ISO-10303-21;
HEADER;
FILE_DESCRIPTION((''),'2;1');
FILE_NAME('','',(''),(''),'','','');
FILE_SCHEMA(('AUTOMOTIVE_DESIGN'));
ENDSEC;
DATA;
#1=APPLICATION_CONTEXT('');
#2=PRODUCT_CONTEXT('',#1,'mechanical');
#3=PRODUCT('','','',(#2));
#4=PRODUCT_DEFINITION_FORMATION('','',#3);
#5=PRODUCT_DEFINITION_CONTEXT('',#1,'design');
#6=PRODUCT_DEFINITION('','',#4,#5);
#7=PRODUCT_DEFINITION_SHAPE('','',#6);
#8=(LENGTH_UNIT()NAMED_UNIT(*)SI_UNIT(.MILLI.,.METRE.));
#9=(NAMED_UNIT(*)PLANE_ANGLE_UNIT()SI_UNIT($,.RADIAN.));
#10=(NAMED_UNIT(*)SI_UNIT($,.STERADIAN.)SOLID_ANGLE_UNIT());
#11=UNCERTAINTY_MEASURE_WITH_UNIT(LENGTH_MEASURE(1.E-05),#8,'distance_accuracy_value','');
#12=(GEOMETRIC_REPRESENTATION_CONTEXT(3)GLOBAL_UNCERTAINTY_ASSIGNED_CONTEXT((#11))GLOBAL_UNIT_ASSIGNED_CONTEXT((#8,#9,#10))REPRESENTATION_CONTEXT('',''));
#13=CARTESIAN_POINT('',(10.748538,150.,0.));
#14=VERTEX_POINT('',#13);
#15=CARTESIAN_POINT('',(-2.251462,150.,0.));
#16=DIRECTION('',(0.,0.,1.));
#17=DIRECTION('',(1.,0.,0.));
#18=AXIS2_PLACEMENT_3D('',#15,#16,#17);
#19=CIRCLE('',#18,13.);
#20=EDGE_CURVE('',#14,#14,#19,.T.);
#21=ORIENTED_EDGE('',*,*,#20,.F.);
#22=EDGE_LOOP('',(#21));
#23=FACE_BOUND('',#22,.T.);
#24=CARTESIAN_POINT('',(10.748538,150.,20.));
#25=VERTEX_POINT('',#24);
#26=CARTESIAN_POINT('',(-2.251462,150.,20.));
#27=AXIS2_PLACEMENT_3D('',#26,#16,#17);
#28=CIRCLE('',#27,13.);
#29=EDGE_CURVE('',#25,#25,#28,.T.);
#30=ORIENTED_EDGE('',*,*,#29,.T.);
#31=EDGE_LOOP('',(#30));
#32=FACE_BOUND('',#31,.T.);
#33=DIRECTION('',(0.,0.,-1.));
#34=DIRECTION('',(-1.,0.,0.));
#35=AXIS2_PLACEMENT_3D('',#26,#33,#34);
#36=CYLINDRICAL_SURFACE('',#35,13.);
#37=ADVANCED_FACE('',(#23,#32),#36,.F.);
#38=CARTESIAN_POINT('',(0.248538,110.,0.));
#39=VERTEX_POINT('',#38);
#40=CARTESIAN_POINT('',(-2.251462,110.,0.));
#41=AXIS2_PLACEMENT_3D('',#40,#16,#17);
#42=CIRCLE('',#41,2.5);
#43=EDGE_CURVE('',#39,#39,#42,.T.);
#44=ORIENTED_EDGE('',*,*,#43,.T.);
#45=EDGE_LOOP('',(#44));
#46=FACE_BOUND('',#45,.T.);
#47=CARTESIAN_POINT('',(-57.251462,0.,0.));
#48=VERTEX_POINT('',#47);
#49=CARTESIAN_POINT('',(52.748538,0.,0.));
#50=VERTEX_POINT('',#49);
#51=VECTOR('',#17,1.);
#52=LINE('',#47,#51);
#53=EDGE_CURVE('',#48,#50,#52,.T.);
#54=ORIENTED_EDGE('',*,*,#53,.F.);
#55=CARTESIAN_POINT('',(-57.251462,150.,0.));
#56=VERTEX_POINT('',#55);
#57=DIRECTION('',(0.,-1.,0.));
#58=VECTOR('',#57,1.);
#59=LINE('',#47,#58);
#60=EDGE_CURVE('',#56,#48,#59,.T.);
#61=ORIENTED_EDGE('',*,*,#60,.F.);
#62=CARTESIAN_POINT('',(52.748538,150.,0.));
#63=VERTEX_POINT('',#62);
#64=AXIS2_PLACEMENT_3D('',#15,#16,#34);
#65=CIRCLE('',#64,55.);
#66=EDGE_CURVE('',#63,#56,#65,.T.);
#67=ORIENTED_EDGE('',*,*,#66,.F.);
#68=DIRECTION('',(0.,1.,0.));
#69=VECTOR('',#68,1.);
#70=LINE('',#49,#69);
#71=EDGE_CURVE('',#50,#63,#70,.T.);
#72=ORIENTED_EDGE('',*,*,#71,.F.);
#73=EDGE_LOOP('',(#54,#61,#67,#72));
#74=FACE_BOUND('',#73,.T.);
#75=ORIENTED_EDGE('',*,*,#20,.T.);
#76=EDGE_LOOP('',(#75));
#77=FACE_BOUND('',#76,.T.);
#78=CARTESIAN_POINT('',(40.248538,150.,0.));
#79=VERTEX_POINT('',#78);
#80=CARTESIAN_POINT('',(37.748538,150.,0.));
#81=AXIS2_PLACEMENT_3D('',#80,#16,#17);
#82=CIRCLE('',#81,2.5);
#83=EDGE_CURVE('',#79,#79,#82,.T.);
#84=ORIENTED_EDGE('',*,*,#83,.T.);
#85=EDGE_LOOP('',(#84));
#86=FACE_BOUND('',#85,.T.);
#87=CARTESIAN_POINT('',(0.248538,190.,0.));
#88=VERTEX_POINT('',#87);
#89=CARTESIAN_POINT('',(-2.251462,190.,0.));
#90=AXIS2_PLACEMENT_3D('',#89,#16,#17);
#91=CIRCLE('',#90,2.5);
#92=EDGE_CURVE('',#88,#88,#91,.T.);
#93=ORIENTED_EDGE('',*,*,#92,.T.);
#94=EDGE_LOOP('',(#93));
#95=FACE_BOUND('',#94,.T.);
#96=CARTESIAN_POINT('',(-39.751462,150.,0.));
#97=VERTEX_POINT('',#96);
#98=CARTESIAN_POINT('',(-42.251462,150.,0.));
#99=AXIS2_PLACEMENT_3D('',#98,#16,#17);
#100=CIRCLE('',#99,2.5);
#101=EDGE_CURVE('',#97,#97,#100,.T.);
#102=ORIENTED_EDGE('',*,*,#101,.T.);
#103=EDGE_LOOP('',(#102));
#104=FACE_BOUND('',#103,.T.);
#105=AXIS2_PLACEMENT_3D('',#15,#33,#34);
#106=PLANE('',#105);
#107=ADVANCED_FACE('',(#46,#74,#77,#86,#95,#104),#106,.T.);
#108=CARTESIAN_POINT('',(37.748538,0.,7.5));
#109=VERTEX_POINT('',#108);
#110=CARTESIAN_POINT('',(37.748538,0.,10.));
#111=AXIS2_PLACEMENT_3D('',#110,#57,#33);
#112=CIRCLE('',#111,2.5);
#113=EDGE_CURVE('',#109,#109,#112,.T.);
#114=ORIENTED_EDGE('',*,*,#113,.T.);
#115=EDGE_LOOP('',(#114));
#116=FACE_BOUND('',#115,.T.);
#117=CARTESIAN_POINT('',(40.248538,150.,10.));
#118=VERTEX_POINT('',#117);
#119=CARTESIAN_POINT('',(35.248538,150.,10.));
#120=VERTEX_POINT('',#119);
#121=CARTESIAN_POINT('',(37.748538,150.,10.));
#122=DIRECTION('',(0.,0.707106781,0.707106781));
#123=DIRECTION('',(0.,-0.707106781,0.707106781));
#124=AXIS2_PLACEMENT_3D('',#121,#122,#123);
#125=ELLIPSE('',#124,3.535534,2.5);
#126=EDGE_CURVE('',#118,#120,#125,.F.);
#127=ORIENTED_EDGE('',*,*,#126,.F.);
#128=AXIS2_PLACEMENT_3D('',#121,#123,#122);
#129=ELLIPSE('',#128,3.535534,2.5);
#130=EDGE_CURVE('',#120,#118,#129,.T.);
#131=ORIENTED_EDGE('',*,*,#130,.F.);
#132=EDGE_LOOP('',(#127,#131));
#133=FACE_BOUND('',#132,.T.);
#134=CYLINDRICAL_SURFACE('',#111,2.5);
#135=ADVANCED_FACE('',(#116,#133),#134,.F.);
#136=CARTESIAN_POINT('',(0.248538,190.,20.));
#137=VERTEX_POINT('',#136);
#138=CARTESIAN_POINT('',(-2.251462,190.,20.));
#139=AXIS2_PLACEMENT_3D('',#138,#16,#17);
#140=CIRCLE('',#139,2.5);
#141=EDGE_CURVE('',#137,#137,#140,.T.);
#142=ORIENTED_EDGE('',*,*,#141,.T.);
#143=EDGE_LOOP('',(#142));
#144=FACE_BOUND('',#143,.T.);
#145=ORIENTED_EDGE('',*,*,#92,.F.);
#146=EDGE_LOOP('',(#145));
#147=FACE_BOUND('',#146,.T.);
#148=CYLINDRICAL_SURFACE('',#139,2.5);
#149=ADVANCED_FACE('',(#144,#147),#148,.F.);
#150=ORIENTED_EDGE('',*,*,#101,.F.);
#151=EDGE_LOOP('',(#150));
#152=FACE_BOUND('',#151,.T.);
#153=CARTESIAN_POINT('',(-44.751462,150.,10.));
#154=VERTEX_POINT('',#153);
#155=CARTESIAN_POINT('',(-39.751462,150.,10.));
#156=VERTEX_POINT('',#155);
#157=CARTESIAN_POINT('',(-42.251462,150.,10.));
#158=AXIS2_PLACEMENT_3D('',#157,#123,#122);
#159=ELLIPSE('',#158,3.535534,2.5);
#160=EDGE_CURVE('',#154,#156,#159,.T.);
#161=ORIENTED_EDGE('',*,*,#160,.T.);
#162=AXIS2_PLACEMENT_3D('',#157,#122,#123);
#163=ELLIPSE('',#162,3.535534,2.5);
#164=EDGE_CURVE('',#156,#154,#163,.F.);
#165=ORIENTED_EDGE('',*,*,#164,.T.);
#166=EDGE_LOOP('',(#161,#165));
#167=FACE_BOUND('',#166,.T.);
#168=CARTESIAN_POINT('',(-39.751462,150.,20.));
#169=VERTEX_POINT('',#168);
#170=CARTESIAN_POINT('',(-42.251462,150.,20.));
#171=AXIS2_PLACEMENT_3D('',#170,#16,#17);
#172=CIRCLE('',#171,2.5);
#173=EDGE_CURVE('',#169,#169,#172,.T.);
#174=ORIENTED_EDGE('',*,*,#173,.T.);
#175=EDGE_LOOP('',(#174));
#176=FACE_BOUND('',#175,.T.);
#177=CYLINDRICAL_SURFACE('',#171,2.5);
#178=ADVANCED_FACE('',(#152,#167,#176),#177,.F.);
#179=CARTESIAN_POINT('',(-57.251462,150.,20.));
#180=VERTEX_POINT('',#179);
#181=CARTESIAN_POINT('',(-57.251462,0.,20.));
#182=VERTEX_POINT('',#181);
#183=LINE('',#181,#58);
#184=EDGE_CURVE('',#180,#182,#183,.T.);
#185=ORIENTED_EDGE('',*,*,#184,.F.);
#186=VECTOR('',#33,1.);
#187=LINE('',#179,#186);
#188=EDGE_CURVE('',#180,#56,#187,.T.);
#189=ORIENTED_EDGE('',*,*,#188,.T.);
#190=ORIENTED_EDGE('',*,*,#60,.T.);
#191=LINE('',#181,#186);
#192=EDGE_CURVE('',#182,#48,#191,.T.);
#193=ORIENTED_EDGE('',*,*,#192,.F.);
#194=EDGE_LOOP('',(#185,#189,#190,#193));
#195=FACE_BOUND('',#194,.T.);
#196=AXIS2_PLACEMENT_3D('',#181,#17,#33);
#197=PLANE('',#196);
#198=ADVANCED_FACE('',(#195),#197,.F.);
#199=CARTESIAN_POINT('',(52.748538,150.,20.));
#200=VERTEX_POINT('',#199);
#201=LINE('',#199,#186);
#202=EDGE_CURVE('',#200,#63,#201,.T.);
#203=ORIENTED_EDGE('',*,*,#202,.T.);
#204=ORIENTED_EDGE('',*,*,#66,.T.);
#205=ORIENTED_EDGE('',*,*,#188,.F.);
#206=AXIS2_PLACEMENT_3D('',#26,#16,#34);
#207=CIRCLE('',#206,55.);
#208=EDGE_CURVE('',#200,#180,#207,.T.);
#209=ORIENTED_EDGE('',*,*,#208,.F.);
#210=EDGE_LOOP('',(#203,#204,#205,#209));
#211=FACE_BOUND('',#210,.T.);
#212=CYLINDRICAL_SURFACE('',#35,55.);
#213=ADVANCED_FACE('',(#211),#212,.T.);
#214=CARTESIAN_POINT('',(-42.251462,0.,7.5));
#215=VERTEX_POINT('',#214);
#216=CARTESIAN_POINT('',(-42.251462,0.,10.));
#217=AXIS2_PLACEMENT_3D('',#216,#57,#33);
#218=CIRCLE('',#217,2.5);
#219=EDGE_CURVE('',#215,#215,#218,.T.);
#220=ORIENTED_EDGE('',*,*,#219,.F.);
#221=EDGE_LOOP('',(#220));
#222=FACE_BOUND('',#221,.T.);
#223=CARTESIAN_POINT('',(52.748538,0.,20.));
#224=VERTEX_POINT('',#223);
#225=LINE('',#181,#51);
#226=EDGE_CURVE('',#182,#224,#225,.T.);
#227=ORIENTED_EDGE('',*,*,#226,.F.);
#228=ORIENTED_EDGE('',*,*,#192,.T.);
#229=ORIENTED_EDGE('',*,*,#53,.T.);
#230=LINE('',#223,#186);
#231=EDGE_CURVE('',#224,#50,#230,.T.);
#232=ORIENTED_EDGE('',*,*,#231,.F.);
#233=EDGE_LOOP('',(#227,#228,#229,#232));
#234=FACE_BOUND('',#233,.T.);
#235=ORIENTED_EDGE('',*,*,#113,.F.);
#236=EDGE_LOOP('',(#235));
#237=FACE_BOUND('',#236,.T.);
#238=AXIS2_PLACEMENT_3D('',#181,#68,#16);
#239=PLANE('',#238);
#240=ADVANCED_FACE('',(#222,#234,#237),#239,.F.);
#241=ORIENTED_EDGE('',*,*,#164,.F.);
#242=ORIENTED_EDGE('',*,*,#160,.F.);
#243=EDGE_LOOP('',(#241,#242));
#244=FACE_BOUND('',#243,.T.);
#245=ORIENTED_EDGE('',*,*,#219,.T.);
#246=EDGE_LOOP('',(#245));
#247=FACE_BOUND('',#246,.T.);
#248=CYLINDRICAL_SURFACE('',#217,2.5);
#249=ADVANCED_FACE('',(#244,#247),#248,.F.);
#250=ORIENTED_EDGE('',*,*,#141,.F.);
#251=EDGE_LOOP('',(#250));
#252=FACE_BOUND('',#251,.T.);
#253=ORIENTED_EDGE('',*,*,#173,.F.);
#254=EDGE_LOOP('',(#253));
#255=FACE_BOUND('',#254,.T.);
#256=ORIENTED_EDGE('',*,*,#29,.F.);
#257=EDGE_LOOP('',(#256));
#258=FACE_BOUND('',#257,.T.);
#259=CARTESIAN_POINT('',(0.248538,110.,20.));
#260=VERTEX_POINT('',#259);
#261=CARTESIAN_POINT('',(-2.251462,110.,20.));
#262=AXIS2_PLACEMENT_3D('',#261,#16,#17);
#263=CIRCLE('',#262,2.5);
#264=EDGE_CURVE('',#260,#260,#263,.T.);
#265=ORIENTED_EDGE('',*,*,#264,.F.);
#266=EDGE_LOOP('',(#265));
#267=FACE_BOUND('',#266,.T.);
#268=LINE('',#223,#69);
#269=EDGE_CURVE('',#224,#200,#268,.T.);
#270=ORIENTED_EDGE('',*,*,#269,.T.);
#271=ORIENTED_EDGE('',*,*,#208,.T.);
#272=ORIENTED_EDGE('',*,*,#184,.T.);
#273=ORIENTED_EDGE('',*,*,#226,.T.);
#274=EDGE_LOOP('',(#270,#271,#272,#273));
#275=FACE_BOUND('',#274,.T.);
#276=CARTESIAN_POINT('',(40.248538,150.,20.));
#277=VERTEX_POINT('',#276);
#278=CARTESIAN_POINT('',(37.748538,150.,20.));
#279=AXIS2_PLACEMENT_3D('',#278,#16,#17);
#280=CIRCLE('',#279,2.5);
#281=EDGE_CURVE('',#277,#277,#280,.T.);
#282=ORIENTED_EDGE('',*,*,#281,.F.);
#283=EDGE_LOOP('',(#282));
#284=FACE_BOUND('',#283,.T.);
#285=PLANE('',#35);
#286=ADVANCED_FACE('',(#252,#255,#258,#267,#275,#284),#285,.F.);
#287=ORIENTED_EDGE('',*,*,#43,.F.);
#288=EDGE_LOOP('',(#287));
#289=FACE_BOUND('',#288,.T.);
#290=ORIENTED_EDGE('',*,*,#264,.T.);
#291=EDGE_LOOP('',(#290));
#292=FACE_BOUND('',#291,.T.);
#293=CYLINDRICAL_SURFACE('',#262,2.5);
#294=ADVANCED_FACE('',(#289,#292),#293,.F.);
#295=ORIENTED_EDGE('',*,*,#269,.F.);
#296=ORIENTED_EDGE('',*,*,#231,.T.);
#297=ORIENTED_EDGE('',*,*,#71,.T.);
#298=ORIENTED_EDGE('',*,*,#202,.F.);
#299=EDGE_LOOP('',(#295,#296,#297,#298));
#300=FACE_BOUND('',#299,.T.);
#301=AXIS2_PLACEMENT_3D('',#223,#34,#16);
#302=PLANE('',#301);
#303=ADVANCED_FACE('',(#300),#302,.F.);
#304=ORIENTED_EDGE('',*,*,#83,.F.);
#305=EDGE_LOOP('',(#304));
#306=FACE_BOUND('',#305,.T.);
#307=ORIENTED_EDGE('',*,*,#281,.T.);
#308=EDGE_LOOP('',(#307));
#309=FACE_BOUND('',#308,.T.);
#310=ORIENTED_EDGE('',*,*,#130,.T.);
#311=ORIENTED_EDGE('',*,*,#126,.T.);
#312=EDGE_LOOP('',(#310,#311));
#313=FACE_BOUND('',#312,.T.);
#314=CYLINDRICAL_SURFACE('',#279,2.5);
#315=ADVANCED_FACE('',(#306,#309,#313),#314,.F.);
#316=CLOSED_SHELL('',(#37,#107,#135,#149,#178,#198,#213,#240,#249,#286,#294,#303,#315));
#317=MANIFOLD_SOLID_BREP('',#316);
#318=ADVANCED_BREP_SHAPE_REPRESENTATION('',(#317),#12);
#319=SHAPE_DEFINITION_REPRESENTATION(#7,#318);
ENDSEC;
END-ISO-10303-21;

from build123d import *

# Parameters (mm, degrees)
SKETCH1_R                  = 13
BOSS_EXTRUDE1_DEPTH        = 20
F_5_0MM_DOWEL_HOLE1_D      = 5
F_5_0MM_DOWEL_HOLE2_REACH  = 228.164
F_5_0MM_DOWEL_HOLE2_BORE_R = 2.5


with BuildPart() as part:
    # Sketch1 → Boss-Extrude1 (new body)
    with BuildSketch(Plane.XY):
        with BuildLine():
            Line((-57.251461988, 0), (52.748538012, 0))
            Line((52.748538012, 0), (52.748538012, 150))
            ThreePointArc((52.748538012, 150), (-2.251461988, 205), (-57.251461988, 150))
            Line((-57.251461988, 150), (-57.251461988, 0))
        make_face()
        with Locations((-2.251461988, 150)):
            Circle(SKETCH1_R, mode=Mode.SUBTRACT)
    extrude(amount=BOSS_EXTRUDE1_DEPTH)

    # Ø5.0mm Dowel Hole1 (through all)
    with Locations(Plane(origin=(-2.251461988, 190, 20), x_dir=(1, 0, 0), z_dir=(0, 0, 1))):
        with Locations((0, 0), (40, -40), (0, -80), (-40, -40)):
            Hole(F_5_0MM_DOWEL_HOLE1_D / 2)

    # Ø5.0mm Dowel Hole2 bore (on position points) → Ø5.0mm Dowel Hole2 (cut, up to next)
    with BuildSketch(Plane(origin=(-42.251461988, 0, 10), x_dir=(0, 0, -1), z_dir=(0, -1, 0)), mode=Mode.PRIVATE) as f_5_0mm_dowel_hole2_sk1:
        Circle(F_5_0MM_DOWEL_HOLE2_BORE_R)
    f_5_0mm_dowel_hole2_tool1 = extrude(f_5_0mm_dowel_hole2_sk1.sketch, amount=-F_5_0MM_DOWEL_HOLE2_REACH, mode=Mode.PRIVATE) & part.part
    # Ø5.0mm Dowel Hole2 bore (on position points) → Ø5.0mm Dowel Hole2 (cut, up to next)
    with BuildSketch(Plane(origin=(-42.251461988, 0, 10), x_dir=(0, 0, -1), z_dir=(0, -1, 0)), mode=Mode.PRIVATE) as f_5_0mm_dowel_hole2_sk2:
        with Locations((0, 80)):
            Circle(F_5_0MM_DOWEL_HOLE2_BORE_R)
    f_5_0mm_dowel_hole2_tool2 = extrude(f_5_0mm_dowel_hole2_sk2.sketch, amount=-F_5_0MM_DOWEL_HOLE2_REACH, mode=Mode.PRIVATE) & part.part
    add(f_5_0mm_dowel_hole2_tool1.solids().sort_by_distance((-42.251462, 0, 10))[0], mode=Mode.SUBTRACT)
    add(f_5_0mm_dowel_hole2_tool2.solids().sort_by_distance((37.748538, 0, 10))[0], mode=Mode.SUBTRACT)


solid = part.part
